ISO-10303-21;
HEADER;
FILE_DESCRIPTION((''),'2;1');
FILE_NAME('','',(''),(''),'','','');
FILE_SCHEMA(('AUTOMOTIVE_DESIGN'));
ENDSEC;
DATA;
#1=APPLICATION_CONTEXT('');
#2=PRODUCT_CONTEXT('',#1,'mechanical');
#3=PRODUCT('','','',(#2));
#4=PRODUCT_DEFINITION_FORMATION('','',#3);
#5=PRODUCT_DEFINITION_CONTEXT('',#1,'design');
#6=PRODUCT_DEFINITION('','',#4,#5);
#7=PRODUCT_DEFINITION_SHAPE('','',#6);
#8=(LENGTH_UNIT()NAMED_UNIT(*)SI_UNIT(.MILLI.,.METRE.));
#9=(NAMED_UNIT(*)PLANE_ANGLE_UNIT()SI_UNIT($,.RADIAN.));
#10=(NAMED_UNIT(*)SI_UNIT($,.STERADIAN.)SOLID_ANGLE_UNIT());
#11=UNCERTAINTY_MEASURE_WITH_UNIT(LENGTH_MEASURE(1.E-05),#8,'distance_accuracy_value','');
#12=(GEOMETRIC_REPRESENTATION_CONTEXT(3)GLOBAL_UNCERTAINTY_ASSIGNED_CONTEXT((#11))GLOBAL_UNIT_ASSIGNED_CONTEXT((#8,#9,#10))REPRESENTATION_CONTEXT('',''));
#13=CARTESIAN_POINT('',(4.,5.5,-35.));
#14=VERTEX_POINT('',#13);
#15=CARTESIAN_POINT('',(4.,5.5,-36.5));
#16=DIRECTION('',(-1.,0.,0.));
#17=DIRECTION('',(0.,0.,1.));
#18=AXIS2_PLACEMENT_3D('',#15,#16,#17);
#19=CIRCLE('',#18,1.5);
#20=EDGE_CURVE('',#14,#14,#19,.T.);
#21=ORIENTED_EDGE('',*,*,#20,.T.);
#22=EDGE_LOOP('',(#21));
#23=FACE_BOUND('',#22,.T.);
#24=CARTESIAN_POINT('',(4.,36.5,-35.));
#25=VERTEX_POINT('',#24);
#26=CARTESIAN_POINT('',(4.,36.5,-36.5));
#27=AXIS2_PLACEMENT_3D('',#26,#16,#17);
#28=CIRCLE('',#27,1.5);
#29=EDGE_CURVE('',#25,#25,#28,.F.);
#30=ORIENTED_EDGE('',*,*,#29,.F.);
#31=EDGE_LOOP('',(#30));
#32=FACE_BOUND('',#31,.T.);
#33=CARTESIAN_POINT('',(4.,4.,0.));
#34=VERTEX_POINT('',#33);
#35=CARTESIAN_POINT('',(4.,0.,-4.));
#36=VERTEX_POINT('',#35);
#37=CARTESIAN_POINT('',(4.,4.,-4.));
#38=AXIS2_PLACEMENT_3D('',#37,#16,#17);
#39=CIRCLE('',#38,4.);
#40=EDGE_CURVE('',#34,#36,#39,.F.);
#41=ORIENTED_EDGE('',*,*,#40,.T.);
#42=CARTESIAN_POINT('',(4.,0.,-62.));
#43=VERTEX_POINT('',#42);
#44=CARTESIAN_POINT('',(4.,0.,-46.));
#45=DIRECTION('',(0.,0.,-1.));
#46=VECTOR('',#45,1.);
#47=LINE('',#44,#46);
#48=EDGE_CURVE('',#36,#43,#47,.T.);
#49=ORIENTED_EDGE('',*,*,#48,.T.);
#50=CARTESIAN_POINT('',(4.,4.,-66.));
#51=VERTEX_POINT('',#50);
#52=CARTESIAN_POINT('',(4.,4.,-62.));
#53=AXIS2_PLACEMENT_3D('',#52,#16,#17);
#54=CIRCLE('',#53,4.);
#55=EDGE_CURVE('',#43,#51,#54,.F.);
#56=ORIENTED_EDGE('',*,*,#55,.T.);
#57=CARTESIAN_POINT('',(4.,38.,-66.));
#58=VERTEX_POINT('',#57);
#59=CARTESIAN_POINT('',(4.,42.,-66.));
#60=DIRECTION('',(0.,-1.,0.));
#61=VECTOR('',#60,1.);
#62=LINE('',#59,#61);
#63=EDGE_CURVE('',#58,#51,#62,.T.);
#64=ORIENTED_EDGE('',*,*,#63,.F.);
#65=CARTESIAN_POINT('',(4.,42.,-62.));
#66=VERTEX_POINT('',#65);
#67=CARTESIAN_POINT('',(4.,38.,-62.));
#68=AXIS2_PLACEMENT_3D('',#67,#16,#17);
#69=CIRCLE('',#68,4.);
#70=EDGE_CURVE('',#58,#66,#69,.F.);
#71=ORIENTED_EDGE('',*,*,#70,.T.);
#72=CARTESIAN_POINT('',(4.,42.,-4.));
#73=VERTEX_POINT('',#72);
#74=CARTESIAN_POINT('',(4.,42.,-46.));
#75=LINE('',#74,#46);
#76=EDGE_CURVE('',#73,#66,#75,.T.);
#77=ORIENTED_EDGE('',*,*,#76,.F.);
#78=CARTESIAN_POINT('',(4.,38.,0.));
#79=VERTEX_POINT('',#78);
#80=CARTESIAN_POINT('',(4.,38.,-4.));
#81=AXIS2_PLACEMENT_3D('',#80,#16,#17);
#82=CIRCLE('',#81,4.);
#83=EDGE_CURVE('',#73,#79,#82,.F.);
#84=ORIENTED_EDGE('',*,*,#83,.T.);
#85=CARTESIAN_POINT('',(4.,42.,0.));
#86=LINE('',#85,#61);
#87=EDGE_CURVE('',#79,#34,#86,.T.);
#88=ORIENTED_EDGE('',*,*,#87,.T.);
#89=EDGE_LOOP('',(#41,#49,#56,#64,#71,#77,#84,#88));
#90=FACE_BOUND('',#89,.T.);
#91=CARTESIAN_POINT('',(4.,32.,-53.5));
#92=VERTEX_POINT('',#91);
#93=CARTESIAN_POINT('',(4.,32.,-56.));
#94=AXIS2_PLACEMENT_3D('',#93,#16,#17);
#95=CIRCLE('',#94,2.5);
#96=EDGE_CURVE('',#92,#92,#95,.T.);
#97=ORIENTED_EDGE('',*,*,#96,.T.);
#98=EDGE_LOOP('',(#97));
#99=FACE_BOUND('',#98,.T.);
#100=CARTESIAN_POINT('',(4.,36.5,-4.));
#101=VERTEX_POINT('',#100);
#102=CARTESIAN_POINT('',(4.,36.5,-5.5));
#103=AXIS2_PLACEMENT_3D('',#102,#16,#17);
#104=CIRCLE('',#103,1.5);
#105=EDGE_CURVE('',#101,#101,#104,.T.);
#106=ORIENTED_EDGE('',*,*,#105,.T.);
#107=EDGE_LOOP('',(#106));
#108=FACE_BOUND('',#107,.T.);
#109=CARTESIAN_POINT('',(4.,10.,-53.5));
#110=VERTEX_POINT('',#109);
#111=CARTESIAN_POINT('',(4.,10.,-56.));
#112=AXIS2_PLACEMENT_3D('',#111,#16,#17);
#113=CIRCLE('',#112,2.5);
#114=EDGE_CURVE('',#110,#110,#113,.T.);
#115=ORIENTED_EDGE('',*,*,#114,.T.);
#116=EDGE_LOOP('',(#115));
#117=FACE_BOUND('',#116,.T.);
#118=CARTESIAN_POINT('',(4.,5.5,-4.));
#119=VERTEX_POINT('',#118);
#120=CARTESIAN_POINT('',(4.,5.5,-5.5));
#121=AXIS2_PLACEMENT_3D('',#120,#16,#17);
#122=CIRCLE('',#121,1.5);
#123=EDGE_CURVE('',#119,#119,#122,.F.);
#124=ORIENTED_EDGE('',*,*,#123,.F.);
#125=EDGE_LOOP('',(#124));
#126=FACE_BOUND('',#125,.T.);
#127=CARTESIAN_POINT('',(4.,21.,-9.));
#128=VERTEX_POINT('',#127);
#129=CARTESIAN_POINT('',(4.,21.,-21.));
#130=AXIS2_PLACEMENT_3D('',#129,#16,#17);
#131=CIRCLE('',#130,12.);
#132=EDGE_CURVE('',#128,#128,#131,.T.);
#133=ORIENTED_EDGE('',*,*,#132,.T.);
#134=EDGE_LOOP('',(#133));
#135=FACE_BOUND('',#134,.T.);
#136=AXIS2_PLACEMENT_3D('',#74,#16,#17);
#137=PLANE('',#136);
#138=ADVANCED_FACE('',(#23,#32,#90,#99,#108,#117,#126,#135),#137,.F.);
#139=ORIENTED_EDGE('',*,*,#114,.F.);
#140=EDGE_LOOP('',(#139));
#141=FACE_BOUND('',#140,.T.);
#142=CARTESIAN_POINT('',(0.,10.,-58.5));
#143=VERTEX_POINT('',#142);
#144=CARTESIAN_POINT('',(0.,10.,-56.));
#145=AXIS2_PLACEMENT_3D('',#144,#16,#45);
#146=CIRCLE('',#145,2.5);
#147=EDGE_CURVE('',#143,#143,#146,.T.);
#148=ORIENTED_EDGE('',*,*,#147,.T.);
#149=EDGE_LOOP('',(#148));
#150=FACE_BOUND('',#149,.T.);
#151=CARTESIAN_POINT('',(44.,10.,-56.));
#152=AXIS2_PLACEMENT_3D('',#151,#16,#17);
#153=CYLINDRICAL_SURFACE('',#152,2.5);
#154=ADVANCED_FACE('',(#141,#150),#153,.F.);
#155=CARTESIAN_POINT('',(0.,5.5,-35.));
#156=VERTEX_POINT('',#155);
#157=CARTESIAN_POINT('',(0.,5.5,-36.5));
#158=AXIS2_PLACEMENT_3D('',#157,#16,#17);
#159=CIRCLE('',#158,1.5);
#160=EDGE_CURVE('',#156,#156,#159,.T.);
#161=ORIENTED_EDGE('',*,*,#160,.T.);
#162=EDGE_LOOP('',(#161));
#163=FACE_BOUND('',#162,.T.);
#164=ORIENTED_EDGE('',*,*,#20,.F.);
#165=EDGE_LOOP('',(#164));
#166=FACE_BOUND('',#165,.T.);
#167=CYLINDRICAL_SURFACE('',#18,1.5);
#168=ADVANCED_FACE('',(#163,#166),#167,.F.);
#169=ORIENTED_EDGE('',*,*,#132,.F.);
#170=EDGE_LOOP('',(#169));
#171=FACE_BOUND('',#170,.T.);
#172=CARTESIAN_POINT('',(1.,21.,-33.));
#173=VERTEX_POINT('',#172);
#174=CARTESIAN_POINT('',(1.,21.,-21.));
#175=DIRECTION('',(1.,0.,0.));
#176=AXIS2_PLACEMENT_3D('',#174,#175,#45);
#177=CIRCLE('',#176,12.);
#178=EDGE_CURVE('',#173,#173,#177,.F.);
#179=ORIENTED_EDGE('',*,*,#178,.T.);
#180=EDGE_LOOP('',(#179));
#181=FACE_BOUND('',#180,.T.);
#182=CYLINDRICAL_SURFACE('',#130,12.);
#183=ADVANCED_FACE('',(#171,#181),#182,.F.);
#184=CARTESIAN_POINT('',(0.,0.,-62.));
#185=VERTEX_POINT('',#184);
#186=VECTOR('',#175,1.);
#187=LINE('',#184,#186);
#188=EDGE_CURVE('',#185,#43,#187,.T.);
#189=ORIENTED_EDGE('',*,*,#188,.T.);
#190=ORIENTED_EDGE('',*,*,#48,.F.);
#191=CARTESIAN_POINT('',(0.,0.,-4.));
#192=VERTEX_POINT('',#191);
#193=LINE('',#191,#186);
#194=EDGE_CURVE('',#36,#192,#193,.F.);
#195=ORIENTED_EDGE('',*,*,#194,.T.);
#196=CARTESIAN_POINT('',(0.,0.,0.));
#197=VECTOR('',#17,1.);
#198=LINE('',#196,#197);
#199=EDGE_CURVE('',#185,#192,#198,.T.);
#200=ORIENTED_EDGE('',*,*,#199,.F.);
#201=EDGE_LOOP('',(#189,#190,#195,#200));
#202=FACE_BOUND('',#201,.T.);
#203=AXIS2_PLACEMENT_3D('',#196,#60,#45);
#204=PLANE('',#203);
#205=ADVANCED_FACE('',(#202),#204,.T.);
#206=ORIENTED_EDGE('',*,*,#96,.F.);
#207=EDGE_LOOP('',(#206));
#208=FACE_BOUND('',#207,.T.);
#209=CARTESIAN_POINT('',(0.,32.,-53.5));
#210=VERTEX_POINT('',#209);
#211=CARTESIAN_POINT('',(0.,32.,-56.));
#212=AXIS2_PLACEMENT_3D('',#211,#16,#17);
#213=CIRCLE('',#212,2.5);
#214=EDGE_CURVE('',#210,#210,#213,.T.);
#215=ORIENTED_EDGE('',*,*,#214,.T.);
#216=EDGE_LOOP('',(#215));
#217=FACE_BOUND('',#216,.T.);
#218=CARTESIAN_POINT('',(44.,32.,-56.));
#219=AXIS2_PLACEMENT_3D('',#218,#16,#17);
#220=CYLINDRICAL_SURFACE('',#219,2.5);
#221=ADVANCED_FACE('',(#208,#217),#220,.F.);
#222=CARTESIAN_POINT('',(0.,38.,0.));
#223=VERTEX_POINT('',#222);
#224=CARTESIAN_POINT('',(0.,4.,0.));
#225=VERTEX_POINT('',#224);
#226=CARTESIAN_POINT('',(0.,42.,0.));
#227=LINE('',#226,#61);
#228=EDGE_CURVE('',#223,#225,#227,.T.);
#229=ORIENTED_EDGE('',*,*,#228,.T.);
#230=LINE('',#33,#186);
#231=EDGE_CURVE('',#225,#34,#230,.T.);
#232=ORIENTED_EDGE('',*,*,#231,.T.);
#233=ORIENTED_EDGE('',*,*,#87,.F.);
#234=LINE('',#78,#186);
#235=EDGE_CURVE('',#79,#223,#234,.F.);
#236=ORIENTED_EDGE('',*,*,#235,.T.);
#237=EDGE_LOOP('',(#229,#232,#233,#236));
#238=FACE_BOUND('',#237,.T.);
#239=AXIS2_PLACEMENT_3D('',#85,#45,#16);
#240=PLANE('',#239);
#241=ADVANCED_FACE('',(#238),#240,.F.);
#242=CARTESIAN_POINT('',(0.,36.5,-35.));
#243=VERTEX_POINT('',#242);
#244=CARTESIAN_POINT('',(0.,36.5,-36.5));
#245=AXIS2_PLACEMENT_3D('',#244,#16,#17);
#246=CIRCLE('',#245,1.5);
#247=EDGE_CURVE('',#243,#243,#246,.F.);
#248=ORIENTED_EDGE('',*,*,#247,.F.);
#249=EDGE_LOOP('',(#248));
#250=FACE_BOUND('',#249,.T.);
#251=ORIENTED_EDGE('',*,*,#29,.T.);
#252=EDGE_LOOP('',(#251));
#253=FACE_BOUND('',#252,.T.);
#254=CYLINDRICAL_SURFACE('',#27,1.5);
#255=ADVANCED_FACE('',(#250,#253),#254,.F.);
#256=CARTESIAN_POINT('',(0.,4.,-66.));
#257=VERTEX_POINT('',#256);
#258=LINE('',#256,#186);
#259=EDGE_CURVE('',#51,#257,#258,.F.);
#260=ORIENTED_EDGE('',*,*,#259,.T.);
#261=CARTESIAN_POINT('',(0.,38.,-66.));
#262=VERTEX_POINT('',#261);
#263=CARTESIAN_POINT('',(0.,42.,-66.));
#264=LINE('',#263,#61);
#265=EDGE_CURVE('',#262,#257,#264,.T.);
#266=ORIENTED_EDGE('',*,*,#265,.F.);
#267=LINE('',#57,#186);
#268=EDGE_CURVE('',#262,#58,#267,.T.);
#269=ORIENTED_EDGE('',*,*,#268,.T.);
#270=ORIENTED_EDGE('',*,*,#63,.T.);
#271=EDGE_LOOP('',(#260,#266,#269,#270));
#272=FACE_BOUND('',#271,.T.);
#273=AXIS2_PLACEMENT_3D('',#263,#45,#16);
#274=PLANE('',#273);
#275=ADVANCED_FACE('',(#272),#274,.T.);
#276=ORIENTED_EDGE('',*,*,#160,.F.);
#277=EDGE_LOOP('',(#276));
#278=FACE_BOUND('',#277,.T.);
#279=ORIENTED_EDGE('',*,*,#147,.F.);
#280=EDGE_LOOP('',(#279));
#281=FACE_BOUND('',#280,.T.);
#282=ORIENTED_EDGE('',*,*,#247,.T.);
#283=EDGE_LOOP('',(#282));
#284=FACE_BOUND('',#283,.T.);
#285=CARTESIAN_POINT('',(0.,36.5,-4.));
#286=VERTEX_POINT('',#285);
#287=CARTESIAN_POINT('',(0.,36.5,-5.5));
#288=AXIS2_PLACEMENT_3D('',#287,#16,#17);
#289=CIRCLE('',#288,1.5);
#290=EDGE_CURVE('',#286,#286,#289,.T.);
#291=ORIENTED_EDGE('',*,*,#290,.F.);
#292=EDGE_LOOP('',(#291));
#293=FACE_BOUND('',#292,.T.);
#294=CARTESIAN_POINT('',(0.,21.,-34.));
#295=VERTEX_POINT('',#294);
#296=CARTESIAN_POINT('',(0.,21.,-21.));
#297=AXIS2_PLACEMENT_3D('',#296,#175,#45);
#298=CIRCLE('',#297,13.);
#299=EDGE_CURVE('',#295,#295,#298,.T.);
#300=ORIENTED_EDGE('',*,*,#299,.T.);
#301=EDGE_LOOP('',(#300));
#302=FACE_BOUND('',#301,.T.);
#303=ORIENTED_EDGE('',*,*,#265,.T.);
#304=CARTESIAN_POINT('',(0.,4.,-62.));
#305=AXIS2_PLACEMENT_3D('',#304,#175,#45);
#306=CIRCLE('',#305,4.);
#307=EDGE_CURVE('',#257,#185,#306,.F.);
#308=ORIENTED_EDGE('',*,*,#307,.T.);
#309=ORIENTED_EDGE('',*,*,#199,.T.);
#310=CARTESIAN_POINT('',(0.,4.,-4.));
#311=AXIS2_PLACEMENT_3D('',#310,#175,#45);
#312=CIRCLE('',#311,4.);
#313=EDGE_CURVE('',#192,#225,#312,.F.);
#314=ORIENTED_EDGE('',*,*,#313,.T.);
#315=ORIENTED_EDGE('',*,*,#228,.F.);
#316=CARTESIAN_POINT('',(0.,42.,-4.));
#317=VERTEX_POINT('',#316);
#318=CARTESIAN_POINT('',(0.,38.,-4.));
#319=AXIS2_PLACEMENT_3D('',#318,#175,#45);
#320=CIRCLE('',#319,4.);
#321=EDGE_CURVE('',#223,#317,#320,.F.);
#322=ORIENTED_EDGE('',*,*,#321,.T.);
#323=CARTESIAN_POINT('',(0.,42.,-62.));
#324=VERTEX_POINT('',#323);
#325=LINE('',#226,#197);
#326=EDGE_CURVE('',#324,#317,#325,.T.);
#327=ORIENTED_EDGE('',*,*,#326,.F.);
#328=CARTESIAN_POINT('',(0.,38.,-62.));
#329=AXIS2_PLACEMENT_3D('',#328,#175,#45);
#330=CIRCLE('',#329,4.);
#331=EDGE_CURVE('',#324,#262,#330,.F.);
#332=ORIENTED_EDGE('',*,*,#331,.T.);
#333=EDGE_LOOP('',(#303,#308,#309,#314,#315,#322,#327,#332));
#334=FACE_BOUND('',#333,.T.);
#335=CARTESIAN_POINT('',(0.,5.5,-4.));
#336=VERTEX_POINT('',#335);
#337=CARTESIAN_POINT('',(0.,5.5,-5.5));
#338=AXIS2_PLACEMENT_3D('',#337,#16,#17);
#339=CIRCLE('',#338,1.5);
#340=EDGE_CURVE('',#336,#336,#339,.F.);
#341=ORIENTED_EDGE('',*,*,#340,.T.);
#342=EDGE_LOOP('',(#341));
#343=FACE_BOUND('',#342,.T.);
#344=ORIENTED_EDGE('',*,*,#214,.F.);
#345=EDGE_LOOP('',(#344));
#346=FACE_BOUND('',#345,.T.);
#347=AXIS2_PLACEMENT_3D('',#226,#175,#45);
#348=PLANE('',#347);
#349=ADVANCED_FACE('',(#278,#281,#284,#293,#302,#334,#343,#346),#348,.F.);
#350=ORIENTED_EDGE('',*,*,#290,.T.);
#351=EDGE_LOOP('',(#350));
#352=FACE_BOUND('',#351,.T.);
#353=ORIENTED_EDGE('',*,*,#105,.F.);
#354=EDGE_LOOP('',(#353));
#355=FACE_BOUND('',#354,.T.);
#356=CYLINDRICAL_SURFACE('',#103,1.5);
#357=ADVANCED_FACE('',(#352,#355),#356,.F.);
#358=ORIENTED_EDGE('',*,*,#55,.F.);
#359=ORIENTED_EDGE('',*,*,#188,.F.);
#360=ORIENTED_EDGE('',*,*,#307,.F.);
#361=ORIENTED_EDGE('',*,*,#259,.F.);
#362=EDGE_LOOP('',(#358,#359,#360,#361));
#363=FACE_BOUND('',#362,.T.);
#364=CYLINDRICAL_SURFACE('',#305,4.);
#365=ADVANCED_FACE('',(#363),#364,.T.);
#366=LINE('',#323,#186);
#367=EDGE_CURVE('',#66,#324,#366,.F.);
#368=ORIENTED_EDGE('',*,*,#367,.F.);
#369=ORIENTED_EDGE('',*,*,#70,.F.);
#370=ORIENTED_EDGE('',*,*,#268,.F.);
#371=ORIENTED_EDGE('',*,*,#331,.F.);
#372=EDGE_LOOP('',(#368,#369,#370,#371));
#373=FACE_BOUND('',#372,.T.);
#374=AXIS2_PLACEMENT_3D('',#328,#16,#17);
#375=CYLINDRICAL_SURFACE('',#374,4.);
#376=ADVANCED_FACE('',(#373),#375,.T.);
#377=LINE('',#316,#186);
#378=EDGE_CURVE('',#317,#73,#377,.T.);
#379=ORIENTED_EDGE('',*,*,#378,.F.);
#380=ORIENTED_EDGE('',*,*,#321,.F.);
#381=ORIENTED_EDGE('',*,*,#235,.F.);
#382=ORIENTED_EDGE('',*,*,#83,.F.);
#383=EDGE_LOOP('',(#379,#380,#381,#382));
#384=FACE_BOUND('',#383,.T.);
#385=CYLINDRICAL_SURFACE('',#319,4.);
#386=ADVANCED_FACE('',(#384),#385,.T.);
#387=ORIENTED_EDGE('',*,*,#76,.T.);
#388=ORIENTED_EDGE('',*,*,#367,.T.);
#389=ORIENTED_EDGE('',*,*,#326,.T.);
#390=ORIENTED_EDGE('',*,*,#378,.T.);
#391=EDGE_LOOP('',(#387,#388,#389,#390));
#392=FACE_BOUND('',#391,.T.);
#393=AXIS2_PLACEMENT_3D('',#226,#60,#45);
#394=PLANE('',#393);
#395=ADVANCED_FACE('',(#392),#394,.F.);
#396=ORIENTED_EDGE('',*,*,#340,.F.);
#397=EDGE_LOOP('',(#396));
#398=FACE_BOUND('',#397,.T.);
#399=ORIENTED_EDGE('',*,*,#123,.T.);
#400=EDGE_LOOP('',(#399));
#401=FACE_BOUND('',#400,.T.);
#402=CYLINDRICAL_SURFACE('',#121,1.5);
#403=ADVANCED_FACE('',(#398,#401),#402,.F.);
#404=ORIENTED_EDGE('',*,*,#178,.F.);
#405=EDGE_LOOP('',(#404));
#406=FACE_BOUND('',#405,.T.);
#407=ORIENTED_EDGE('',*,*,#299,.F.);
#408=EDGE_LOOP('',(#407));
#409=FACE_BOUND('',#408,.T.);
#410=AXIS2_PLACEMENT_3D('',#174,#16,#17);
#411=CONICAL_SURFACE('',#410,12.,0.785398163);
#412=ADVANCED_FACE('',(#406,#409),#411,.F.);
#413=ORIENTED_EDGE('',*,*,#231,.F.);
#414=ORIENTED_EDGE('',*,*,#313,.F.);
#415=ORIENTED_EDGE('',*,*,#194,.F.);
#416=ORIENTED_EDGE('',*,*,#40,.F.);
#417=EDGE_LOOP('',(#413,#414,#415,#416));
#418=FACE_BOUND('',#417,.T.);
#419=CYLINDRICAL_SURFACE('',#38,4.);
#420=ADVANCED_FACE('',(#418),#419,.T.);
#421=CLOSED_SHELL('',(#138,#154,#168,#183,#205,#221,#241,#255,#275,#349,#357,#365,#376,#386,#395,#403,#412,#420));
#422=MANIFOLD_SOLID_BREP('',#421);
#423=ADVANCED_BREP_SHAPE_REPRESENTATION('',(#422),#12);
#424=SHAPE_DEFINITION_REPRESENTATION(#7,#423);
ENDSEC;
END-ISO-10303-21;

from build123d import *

# Parameters (mm, degrees)
BOSS_EXTRUDE1_DEPTH = 42
SKETCH2_R           = 12
SKETCH2_R_2         = 1.5
CUT_EXTRUDE1_DEPTH  = 5
SKETCH3_R           = 2
CUT_EXTRUDE2_DEPTH  = 5
CHAMFER1_SIZE       = 2
CHAMFER2_SIZE       = 1
FILLET1_R           = 4
BOSS_EXTRUDE2_DEPTH = 42
SKETCH5_W           = 27.168576179
SKETCH5_H           = 4
CUT_EXTRUDE3_DEPTH  = 44
SKETCH6_R           = 2.5
CUT_EXTRUDE4_DEPTH  = 44
FILLET2_R           = 4


with BuildPart() as part:
    # Sketch1 → Boss-Extrude1 (new body)
    with BuildSketch(Plane(origin=(0, 0, 0), x_dir=(1, 0, 0), z_dir=(0, 1, 0))):
        Polygon((0, 0), (0, 42), (-20, 42), (-20, 46), (4, 46), (4, 0), align=None)
    extrude(amount=BOSS_EXTRUDE1_DEPTH)

    # Sketch2 → Cut-Extrude1 (cut, through all)
    with BuildSketch(Plane.ZY):
        with Locations((-21, 21)):
            Circle(SKETCH2_R)
        with Locations((-36.5, 36.5)):
            Circle(SKETCH2_R_2)
        with Locations((-5.5, 36.5)):
            Circle(SKETCH2_R_2)
        with Locations((-5.5, 5.5)):
            Circle(SKETCH2_R_2)
        with Locations((-36.5, 5.5)):
            Circle(SKETCH2_R_2)
    extrude(amount=-CUT_EXTRUDE1_DEPTH, mode=Mode.SUBTRACT)

    # Sketch3 → Cut-Extrude2 (cut, through all)
    with BuildSketch(Plane.XY.offset(-42)):
        with Locations((-10, 32)):
            Circle(SKETCH3_R)
        with Locations((-10, 10)):
            Circle(SKETCH3_R)
    extrude(amount=-CUT_EXTRUDE2_DEPTH, mode=Mode.SUBTRACT)

    # Chamfer1
    chamfer1_edges = [part.edges().sort_by_distance(p)[0] for p in [
        (-12, 32, -42),
        (-12, 10, -42),
    ]]
    chamfer(chamfer1_edges, length=CHAMFER1_SIZE)

    # Chamfer2
    chamfer2_edges = [part.edges().sort_by_distance(p)[0] for p in [
        (0, 21, -33),
    ]]
    chamfer(chamfer2_edges, length=CHAMFER2_SIZE)

    # Fillet1
    fillet1_edges = [part.edges().sort_by_distance(p)[0] for p in [
        (4, 21, -46),
        (-20, 42, -44),
        (2, 42, 0),
        (-20, 0, -44),
        (2, 0, 0),
    ]]
    fillet(fillet1_edges, radius=FILLET1_R)

    # Sketch4 → Boss-Extrude2 (add)
    with BuildSketch(Plane.XZ):
        Polygon((0, -46), (0, -66), (4, -66), (4, -42), (0, -42), align=None)
    extrude(amount=-BOSS_EXTRUDE2_DEPTH)

    # Sketch5 → Cut-Extrude3 (cut)
    with BuildSketch(Plane(origin=(0, 42, 0), x_dir=(1, 0, 0), z_dir=(0, 1, 0))):
        with Locations((-13.58428809, 44)):
            Rectangle(SKETCH5_W, SKETCH5_H)
    extrude(amount=-CUT_EXTRUDE3_DEPTH, mode=Mode.SUBTRACT)

    # Sketch6 → Cut-Extrude4 (cut)
    with BuildSketch(Plane.ZY):
        with Locations((-56, 32)):
            Circle(SKETCH6_R)
        with Locations((-56, 10)):
            Circle(SKETCH6_R)
    extrude(amount=-CUT_EXTRUDE4_DEPTH, mode=Mode.SUBTRACT)

    # Fillet2
    fillet2_edges = [part.edges().sort_by_distance(p)[0] for p in [
        (2, 42, -66),
        (2, 0, -66),
    ]]
    fillet(fillet2_edges, radius=FILLET2_R)


solid = part.part
